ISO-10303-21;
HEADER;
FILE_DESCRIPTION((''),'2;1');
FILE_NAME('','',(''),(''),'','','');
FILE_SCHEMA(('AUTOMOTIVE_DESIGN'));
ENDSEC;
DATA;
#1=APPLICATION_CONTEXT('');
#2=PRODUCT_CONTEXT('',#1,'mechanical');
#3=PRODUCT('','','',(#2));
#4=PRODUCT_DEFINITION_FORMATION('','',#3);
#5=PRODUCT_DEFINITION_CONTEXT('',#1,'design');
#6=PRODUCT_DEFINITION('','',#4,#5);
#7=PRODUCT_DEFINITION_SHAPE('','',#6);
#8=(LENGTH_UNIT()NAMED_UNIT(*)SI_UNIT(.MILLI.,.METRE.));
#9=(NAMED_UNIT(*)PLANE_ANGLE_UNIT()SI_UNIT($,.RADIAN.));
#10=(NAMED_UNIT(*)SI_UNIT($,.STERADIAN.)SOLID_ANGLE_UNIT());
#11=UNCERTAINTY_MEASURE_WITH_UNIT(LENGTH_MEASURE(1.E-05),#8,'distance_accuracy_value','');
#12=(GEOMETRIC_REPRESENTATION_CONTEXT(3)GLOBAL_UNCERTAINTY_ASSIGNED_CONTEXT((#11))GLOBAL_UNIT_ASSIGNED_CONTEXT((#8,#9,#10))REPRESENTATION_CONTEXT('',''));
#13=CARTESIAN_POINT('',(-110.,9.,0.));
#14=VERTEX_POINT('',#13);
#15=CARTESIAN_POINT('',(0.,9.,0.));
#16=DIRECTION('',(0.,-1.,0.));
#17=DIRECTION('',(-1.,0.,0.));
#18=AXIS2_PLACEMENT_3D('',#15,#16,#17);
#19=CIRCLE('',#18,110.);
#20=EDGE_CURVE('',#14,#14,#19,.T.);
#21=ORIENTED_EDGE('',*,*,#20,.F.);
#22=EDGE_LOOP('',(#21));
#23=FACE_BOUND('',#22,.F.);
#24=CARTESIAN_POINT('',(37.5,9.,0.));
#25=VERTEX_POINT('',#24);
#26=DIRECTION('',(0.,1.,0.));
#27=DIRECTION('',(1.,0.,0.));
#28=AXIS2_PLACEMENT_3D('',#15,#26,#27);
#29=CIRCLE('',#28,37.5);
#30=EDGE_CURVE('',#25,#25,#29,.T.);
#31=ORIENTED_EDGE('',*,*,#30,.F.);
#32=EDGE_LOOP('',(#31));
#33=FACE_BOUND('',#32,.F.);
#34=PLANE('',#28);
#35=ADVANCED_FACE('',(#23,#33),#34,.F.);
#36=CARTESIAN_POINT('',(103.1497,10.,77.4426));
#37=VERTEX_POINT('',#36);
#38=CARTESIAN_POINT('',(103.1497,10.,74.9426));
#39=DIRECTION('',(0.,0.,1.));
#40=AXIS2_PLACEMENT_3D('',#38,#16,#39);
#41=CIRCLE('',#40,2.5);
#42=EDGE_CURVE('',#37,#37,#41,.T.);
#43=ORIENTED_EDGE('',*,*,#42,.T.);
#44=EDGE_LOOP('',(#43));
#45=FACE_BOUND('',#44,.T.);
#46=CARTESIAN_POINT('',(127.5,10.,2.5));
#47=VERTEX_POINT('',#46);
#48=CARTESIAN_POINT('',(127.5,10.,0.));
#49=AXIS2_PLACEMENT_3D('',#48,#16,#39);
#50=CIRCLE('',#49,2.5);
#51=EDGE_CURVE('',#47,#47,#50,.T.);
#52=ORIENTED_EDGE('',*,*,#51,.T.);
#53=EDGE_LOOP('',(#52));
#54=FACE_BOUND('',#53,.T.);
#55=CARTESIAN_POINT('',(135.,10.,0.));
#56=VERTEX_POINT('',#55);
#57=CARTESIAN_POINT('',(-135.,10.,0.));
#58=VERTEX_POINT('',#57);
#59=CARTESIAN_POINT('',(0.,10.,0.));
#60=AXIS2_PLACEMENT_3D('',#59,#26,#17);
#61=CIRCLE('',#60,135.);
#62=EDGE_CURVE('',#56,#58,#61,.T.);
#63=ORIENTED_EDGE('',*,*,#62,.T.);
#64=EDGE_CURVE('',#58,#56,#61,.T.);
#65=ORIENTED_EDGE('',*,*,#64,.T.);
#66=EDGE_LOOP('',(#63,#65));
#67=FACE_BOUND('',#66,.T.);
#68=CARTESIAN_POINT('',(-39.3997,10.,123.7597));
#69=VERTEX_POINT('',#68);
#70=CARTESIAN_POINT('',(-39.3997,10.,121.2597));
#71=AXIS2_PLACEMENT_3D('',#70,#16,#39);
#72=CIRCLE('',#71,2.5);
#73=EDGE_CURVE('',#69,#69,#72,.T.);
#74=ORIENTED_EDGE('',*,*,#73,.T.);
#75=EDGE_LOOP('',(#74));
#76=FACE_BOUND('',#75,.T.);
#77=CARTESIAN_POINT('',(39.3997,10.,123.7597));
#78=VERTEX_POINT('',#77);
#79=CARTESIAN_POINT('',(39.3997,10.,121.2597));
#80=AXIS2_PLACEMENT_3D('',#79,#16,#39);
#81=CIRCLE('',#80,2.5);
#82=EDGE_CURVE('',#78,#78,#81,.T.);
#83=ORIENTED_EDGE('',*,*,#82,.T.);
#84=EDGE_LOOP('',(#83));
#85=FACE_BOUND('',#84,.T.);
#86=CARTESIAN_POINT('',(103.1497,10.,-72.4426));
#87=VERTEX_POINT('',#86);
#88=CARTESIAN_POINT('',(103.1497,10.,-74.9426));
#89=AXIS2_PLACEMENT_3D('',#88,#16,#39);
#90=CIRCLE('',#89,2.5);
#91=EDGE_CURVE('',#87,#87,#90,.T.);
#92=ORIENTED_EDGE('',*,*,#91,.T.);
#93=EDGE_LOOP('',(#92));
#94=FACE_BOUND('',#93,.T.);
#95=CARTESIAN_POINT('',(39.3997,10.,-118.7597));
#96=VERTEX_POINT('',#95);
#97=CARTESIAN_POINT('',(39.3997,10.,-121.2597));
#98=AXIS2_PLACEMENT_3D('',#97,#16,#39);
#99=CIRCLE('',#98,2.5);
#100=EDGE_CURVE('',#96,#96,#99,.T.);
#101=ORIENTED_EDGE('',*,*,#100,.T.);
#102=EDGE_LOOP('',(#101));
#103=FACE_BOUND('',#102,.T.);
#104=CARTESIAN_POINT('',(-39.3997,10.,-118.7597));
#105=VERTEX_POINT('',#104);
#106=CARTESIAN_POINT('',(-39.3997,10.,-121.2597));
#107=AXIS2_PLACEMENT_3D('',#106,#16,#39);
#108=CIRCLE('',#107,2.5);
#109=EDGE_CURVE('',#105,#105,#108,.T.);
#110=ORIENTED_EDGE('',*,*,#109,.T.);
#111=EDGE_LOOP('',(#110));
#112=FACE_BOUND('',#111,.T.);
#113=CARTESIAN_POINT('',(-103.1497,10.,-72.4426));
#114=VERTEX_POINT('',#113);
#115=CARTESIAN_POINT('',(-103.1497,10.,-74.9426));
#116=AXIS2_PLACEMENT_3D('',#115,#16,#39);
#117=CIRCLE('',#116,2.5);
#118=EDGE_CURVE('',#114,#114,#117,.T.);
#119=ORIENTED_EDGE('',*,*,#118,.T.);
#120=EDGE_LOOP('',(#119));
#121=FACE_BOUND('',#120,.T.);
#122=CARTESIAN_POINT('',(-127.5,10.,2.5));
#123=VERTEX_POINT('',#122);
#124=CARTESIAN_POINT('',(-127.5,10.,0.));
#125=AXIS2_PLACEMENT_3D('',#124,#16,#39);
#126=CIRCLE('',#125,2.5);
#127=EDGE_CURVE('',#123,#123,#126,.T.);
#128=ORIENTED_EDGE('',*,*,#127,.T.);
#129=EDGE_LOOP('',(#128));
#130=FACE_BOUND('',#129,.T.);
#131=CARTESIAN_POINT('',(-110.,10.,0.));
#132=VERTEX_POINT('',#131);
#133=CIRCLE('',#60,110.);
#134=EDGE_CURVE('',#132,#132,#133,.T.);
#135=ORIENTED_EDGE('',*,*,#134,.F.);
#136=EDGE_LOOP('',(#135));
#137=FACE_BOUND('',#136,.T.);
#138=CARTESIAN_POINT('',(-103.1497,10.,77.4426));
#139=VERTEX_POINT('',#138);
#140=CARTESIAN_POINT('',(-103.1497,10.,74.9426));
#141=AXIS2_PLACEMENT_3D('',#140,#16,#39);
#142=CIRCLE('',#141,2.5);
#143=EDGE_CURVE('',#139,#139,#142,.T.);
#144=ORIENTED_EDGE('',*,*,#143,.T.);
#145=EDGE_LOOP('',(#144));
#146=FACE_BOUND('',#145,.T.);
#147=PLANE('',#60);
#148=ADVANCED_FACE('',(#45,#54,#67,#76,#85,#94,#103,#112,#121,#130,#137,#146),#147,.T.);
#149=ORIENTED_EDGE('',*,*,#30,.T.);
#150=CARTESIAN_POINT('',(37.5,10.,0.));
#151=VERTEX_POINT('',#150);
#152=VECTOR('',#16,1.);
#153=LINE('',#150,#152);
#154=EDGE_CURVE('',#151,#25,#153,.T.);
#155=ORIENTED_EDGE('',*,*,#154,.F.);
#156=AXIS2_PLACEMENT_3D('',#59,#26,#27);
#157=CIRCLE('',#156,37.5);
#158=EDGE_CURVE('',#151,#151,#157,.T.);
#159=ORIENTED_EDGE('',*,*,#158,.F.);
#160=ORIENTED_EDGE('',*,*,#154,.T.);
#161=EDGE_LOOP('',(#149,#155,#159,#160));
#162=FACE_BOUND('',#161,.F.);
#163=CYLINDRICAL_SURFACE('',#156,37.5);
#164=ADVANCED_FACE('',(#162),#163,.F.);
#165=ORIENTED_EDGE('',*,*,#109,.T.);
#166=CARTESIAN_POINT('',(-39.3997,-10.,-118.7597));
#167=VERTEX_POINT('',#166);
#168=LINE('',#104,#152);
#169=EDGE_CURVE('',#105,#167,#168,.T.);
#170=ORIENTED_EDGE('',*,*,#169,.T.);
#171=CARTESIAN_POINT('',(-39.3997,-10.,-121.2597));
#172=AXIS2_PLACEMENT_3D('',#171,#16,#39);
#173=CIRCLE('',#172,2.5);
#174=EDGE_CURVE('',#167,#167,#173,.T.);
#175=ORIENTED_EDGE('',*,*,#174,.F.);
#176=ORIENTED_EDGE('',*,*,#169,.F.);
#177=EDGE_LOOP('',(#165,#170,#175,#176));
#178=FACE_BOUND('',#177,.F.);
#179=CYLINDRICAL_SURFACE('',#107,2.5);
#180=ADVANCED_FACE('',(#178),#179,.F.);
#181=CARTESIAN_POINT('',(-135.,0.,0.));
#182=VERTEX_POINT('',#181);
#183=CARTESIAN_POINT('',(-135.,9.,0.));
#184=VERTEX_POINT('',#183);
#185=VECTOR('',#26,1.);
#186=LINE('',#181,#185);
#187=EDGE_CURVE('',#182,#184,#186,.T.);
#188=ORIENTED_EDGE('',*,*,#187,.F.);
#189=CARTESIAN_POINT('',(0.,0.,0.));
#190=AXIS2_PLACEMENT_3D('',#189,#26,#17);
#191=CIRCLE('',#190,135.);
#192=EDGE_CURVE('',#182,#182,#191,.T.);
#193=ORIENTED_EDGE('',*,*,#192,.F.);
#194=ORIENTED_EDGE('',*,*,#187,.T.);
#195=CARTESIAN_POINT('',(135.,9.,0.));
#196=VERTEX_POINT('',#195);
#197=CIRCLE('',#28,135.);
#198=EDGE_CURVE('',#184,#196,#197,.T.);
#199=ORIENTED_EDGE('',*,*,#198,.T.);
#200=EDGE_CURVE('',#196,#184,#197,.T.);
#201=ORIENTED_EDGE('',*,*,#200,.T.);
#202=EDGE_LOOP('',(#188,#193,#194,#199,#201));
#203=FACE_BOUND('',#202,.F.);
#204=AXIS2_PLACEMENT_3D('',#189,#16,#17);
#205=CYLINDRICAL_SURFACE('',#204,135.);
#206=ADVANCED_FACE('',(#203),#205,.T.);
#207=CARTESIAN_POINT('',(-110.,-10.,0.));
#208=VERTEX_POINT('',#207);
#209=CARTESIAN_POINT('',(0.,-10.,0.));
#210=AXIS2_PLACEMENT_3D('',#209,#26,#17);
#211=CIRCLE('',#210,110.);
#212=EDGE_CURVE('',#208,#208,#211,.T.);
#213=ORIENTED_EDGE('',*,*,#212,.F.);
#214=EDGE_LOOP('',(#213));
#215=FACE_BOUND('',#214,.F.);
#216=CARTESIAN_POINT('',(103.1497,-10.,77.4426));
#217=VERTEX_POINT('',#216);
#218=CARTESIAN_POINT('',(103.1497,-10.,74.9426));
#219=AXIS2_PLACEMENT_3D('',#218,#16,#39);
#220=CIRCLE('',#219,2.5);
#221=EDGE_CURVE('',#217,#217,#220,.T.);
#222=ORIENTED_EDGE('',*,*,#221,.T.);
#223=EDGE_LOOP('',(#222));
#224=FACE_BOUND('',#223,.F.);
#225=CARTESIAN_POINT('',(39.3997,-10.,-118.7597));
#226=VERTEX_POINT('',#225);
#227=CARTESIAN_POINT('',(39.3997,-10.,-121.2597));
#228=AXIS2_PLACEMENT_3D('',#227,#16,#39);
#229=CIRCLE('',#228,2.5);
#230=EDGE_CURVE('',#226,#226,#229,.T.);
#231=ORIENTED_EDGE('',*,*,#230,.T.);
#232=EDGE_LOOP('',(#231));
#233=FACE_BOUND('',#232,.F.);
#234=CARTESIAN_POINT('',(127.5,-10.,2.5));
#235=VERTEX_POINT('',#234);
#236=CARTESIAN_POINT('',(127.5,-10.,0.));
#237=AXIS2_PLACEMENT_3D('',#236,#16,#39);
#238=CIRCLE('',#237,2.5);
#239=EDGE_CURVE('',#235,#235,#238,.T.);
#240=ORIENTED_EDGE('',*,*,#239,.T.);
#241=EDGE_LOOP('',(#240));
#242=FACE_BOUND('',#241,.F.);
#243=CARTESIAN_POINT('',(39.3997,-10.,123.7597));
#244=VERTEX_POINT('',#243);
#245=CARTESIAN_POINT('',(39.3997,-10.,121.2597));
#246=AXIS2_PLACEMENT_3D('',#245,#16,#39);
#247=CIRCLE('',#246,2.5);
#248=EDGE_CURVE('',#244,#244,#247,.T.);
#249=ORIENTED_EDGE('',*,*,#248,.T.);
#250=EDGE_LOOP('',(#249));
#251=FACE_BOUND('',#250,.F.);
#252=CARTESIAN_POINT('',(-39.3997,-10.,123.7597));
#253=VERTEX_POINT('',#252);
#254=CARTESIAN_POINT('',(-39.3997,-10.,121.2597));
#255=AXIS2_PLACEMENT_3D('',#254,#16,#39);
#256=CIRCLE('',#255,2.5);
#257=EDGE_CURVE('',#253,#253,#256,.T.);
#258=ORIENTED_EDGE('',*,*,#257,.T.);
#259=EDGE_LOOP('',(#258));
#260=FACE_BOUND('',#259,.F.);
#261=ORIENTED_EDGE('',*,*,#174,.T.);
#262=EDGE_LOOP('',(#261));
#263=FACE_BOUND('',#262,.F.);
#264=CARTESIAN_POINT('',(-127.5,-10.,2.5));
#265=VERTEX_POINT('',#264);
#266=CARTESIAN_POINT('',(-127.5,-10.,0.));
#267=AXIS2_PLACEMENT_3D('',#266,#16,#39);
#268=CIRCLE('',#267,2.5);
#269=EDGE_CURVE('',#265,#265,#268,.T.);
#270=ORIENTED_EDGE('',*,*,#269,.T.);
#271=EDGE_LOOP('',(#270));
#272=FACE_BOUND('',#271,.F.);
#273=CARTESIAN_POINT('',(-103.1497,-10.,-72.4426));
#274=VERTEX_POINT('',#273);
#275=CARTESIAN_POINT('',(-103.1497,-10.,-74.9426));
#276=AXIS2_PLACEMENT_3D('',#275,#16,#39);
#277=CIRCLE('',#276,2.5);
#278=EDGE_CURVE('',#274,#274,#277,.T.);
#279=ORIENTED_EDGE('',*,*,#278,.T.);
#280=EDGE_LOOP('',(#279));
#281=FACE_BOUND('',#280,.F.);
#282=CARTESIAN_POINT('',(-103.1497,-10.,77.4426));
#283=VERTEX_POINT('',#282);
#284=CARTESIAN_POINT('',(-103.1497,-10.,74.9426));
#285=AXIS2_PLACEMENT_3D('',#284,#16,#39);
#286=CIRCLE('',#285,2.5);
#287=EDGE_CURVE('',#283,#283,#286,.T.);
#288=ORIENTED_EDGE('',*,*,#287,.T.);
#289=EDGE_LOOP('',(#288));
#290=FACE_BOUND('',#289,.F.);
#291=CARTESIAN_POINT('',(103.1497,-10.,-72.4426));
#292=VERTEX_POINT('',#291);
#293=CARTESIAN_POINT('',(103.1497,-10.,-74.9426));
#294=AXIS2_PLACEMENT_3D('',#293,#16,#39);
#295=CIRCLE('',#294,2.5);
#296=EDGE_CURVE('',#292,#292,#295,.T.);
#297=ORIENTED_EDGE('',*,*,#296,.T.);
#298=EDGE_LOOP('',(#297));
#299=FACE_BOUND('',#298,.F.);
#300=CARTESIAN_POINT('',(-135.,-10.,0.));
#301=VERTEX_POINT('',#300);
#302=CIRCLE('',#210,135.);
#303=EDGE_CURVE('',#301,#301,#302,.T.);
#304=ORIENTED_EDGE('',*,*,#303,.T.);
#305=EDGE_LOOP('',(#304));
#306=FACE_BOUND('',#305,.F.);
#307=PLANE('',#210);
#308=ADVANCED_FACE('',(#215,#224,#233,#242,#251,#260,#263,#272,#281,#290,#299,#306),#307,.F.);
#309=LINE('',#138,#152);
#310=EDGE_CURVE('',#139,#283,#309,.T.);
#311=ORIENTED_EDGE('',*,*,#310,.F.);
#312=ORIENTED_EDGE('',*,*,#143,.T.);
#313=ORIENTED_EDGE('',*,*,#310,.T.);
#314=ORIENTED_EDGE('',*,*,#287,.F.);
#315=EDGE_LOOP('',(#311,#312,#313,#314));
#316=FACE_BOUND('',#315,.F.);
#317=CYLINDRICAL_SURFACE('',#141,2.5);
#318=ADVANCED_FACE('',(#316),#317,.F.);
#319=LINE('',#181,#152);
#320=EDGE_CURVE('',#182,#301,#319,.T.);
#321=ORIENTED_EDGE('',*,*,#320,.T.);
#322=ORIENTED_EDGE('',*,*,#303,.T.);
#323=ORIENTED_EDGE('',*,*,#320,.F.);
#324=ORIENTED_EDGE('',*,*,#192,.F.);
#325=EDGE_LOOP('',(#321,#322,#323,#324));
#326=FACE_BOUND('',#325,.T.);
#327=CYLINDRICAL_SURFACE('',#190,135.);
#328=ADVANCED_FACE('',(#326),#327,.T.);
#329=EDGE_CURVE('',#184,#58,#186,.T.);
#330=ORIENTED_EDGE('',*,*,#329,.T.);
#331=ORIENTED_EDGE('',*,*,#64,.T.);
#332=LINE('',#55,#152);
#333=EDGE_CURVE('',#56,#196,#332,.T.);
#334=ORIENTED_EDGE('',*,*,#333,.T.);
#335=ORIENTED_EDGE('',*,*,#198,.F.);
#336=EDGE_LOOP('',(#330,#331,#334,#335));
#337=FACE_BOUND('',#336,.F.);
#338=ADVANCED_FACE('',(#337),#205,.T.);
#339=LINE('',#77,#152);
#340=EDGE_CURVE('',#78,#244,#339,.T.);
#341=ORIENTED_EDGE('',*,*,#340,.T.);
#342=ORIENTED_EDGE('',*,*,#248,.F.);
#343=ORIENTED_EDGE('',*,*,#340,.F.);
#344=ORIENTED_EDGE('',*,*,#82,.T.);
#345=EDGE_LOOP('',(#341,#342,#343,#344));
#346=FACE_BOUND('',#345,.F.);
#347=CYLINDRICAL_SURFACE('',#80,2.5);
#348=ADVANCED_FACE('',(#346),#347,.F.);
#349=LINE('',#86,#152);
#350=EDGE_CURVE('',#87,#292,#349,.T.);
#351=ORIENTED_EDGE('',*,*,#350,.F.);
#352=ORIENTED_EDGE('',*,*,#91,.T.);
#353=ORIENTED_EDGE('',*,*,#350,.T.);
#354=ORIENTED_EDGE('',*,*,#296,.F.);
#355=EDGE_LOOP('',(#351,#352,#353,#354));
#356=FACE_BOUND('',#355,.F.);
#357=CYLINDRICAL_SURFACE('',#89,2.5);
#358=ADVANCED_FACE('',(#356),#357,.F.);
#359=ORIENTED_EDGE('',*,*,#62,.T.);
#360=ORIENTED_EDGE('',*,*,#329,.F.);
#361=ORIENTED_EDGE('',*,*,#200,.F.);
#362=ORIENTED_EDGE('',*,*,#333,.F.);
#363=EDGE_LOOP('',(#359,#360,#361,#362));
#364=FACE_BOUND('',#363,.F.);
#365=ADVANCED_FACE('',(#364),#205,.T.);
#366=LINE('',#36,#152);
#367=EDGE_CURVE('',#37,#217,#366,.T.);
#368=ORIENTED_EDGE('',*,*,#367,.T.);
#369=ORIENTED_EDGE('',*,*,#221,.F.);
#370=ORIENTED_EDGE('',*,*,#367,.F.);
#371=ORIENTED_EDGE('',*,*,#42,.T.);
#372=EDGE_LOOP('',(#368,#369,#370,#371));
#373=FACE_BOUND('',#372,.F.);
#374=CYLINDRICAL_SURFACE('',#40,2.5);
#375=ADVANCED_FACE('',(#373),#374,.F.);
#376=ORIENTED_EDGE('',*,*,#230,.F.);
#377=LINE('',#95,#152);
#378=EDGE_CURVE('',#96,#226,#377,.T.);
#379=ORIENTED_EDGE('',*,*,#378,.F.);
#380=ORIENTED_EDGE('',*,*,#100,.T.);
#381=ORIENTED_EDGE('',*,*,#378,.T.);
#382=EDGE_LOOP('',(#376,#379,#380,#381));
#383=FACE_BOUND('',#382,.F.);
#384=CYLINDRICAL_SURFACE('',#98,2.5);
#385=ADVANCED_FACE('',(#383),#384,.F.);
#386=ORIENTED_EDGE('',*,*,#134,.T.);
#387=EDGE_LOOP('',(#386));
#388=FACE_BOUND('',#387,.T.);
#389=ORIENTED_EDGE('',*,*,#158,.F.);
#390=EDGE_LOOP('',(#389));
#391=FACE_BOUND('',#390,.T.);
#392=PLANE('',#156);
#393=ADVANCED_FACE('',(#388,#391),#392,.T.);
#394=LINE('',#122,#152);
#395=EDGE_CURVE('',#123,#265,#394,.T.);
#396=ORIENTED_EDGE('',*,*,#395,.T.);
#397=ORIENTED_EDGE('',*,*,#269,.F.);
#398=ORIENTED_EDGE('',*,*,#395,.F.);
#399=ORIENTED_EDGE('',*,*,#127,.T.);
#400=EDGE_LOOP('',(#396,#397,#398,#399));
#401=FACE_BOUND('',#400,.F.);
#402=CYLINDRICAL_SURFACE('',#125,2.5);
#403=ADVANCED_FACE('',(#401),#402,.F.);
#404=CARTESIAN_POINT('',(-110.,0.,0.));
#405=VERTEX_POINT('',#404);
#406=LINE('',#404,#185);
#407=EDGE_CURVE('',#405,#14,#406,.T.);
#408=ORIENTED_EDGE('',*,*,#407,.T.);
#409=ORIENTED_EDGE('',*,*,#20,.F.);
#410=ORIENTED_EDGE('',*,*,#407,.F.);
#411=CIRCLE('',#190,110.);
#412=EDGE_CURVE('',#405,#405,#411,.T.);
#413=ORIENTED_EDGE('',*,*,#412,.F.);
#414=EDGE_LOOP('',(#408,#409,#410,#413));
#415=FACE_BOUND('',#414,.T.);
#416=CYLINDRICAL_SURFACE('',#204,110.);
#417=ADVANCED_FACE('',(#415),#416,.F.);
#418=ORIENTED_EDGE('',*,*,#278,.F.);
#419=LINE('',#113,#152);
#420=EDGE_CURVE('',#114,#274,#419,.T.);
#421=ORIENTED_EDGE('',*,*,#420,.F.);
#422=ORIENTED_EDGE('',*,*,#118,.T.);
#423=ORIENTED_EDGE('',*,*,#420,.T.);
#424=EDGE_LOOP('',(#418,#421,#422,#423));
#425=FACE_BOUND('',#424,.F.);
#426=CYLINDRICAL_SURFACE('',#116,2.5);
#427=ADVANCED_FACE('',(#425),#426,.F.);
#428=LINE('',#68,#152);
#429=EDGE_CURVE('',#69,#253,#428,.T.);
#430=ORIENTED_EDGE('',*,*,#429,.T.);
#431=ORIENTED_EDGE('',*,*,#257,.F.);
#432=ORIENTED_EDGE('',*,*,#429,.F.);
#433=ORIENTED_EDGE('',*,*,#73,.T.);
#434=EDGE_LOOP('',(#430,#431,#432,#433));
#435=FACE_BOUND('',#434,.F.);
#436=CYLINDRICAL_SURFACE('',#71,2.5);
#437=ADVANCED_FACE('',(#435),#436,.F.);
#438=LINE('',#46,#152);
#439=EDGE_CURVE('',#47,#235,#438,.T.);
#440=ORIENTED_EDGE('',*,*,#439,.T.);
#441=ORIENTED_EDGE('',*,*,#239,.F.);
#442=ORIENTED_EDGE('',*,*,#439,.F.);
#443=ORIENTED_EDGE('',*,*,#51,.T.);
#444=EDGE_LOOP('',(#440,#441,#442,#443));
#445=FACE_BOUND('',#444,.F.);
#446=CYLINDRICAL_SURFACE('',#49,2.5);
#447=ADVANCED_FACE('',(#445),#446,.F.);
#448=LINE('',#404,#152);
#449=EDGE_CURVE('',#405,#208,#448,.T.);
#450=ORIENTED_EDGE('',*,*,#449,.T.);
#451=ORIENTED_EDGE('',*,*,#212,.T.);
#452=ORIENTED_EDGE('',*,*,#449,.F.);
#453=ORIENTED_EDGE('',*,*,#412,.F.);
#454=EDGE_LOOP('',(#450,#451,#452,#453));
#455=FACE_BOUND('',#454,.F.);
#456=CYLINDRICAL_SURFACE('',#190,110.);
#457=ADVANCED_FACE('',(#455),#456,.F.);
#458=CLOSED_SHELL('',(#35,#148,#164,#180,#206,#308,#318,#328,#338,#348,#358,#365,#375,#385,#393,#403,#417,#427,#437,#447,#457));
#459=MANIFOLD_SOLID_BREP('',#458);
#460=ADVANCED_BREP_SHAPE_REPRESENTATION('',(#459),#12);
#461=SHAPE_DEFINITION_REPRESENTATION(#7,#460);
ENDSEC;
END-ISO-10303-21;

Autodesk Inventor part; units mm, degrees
ref_plane "YZ Plane" through (0, 0, 0) normal (1, 0, 0) x (0, 1, 0)
ref_plane "XZ Plane" through (0, 0, 0) normal (0, 1, 0) x (-1, 0, 0)
ref_plane "XY Plane" through (0, 0, 0) normal (0, 0, 1) x (1, 0, 0)
sketch "Sketch1" plane through (0, 0, 0) normal (0, 1, 0) x (-1, 0, 0)
  circle A0 centre (0, 0) radius 135
  circle A1 centre (0, 0) radius 110
  dimension "d0" = 270
  dimension "d1" = 220
extrude "Extrusion1" add sketch "Sketch1" along normal mid plane 20
sketch "Sketch2" plane through (0, 10, 0) normal (0, 1, 0) x (1, 0, 0)
  circle A0 centre (0, 0) radius 37.5
  circle A1 centre (0, 0) radius 135
  dimension "d4" = 75
  dimension "d20" = 270
extrude "Extrusion2" add sketch "Sketch2" against normal blind 1
sketch "Sketch3" plane through (0, 10, 0) normal (0, 1, 0) x (1, 0, 0)
  circle A0 centre (0, 0) radius 127.5
  circle A1 centre (127.5, 0) radius 2.5
  circle A2 centre (103.1497, 74.9426) radius 2.5
  circle A3 centre (39.3997, 121.2597) radius 2.5
  circle A4 centre (-39.3997, 121.2597) radius 2.5
  circle A5 centre (-103.1497, 74.9426) radius 2.5
  circle A6 centre (-127.5, 0) radius 2.5
  circle A7 centre (-103.1497, -74.9426) radius 2.5
  circle A8 centre (-39.3997, -121.2597) radius 2.5
  circle A9 centre (39.3997, -121.2597) radius 2.5
  circle A10 centre (103.1497, -74.9426) radius 2.5
  dimension "d7" = 255
  dimension "d8" = 5
  dimension "d11" = 360
hole "Hole1" at (127.5, 10, 0) at (103.1497, 10, 74.9426) at (39.3997, 10, 121.2597) at (-39.3997, 10, 121.2597) at (-103.1497, 10, 74.9426) at (-127.5, 10, 0) at (-103.1497, 10, -74.9426) at (-39.3997, 10, -121.2597) at (39.3997, 10, -121.2597) at (103.1497, 10, -74.9426) direction (0, -1, 0) diameter 5 end through all
properties part number "Cylinder Spacer 25mm"
